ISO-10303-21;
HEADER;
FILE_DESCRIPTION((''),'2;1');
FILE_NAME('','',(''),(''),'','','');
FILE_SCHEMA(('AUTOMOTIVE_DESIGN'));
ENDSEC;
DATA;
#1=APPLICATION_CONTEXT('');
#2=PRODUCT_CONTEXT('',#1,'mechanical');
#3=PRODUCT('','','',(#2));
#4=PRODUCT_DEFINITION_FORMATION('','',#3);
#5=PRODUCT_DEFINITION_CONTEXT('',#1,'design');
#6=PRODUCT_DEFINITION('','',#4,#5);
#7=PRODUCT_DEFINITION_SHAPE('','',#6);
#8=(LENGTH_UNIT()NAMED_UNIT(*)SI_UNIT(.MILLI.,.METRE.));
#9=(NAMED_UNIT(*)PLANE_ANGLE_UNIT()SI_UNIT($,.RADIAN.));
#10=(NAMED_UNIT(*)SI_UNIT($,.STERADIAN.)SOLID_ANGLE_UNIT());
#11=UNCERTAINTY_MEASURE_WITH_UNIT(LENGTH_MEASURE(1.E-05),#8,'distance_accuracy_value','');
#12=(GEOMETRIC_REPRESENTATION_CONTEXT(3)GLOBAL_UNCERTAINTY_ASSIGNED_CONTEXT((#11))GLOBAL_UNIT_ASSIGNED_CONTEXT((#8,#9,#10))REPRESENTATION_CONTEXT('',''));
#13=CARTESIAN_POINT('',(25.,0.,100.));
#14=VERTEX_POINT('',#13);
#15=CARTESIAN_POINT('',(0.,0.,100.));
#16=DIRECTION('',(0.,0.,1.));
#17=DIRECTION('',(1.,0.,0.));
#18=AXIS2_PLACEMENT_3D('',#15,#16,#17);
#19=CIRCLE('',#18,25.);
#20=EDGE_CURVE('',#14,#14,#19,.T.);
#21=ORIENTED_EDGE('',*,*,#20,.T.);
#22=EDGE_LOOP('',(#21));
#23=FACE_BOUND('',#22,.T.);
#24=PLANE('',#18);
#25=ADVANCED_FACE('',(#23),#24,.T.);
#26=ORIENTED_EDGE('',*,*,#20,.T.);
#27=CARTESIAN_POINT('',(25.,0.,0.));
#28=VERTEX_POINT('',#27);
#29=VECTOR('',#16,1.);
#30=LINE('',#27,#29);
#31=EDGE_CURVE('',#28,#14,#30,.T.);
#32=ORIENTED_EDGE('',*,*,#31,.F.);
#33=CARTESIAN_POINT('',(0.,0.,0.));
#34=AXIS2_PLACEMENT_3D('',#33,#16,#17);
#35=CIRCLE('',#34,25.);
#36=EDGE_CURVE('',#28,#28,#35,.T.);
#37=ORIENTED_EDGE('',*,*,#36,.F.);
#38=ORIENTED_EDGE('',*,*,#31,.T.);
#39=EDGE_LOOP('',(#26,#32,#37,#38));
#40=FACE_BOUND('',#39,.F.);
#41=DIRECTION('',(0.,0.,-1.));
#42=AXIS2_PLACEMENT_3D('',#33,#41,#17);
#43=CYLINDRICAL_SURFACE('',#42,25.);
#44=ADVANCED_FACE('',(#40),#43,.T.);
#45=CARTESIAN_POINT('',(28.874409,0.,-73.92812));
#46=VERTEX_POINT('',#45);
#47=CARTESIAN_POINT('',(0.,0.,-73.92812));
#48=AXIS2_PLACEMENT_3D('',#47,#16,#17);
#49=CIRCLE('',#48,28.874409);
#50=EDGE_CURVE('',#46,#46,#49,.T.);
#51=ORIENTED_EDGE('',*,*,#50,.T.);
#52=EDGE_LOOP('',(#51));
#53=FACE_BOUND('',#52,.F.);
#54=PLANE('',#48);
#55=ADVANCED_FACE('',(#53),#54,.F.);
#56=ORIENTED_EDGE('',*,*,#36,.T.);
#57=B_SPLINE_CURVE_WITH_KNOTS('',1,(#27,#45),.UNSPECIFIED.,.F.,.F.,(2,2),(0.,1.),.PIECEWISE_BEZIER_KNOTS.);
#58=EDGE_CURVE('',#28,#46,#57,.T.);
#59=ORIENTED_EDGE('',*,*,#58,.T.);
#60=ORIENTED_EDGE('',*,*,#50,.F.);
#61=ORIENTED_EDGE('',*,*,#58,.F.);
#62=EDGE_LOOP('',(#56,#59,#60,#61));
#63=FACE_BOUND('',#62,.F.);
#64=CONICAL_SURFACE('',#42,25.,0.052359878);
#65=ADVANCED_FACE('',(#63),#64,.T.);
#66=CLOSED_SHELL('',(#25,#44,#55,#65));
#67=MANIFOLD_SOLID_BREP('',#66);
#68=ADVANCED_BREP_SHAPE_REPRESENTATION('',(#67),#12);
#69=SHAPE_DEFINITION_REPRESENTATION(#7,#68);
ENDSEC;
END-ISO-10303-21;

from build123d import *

# Parameters (mm, degrees)
F0_R          = 25
F1_DEPTH      = 100
F1_DEPTH_BACK = 73.92812
F1_TAPER_BACK = -3


with BuildPart() as f1:
    # F0 (on Top) → F1 (new body, two sides)
    with BuildSketch(Plane.XY) as f1_sk:
        Circle(F0_R)
    extrude(amount=F1_DEPTH)
    extrude(f1_sk.sketch, amount=-F1_DEPTH_BACK, taper=F1_TAPER_BACK)


solid = f1.part
